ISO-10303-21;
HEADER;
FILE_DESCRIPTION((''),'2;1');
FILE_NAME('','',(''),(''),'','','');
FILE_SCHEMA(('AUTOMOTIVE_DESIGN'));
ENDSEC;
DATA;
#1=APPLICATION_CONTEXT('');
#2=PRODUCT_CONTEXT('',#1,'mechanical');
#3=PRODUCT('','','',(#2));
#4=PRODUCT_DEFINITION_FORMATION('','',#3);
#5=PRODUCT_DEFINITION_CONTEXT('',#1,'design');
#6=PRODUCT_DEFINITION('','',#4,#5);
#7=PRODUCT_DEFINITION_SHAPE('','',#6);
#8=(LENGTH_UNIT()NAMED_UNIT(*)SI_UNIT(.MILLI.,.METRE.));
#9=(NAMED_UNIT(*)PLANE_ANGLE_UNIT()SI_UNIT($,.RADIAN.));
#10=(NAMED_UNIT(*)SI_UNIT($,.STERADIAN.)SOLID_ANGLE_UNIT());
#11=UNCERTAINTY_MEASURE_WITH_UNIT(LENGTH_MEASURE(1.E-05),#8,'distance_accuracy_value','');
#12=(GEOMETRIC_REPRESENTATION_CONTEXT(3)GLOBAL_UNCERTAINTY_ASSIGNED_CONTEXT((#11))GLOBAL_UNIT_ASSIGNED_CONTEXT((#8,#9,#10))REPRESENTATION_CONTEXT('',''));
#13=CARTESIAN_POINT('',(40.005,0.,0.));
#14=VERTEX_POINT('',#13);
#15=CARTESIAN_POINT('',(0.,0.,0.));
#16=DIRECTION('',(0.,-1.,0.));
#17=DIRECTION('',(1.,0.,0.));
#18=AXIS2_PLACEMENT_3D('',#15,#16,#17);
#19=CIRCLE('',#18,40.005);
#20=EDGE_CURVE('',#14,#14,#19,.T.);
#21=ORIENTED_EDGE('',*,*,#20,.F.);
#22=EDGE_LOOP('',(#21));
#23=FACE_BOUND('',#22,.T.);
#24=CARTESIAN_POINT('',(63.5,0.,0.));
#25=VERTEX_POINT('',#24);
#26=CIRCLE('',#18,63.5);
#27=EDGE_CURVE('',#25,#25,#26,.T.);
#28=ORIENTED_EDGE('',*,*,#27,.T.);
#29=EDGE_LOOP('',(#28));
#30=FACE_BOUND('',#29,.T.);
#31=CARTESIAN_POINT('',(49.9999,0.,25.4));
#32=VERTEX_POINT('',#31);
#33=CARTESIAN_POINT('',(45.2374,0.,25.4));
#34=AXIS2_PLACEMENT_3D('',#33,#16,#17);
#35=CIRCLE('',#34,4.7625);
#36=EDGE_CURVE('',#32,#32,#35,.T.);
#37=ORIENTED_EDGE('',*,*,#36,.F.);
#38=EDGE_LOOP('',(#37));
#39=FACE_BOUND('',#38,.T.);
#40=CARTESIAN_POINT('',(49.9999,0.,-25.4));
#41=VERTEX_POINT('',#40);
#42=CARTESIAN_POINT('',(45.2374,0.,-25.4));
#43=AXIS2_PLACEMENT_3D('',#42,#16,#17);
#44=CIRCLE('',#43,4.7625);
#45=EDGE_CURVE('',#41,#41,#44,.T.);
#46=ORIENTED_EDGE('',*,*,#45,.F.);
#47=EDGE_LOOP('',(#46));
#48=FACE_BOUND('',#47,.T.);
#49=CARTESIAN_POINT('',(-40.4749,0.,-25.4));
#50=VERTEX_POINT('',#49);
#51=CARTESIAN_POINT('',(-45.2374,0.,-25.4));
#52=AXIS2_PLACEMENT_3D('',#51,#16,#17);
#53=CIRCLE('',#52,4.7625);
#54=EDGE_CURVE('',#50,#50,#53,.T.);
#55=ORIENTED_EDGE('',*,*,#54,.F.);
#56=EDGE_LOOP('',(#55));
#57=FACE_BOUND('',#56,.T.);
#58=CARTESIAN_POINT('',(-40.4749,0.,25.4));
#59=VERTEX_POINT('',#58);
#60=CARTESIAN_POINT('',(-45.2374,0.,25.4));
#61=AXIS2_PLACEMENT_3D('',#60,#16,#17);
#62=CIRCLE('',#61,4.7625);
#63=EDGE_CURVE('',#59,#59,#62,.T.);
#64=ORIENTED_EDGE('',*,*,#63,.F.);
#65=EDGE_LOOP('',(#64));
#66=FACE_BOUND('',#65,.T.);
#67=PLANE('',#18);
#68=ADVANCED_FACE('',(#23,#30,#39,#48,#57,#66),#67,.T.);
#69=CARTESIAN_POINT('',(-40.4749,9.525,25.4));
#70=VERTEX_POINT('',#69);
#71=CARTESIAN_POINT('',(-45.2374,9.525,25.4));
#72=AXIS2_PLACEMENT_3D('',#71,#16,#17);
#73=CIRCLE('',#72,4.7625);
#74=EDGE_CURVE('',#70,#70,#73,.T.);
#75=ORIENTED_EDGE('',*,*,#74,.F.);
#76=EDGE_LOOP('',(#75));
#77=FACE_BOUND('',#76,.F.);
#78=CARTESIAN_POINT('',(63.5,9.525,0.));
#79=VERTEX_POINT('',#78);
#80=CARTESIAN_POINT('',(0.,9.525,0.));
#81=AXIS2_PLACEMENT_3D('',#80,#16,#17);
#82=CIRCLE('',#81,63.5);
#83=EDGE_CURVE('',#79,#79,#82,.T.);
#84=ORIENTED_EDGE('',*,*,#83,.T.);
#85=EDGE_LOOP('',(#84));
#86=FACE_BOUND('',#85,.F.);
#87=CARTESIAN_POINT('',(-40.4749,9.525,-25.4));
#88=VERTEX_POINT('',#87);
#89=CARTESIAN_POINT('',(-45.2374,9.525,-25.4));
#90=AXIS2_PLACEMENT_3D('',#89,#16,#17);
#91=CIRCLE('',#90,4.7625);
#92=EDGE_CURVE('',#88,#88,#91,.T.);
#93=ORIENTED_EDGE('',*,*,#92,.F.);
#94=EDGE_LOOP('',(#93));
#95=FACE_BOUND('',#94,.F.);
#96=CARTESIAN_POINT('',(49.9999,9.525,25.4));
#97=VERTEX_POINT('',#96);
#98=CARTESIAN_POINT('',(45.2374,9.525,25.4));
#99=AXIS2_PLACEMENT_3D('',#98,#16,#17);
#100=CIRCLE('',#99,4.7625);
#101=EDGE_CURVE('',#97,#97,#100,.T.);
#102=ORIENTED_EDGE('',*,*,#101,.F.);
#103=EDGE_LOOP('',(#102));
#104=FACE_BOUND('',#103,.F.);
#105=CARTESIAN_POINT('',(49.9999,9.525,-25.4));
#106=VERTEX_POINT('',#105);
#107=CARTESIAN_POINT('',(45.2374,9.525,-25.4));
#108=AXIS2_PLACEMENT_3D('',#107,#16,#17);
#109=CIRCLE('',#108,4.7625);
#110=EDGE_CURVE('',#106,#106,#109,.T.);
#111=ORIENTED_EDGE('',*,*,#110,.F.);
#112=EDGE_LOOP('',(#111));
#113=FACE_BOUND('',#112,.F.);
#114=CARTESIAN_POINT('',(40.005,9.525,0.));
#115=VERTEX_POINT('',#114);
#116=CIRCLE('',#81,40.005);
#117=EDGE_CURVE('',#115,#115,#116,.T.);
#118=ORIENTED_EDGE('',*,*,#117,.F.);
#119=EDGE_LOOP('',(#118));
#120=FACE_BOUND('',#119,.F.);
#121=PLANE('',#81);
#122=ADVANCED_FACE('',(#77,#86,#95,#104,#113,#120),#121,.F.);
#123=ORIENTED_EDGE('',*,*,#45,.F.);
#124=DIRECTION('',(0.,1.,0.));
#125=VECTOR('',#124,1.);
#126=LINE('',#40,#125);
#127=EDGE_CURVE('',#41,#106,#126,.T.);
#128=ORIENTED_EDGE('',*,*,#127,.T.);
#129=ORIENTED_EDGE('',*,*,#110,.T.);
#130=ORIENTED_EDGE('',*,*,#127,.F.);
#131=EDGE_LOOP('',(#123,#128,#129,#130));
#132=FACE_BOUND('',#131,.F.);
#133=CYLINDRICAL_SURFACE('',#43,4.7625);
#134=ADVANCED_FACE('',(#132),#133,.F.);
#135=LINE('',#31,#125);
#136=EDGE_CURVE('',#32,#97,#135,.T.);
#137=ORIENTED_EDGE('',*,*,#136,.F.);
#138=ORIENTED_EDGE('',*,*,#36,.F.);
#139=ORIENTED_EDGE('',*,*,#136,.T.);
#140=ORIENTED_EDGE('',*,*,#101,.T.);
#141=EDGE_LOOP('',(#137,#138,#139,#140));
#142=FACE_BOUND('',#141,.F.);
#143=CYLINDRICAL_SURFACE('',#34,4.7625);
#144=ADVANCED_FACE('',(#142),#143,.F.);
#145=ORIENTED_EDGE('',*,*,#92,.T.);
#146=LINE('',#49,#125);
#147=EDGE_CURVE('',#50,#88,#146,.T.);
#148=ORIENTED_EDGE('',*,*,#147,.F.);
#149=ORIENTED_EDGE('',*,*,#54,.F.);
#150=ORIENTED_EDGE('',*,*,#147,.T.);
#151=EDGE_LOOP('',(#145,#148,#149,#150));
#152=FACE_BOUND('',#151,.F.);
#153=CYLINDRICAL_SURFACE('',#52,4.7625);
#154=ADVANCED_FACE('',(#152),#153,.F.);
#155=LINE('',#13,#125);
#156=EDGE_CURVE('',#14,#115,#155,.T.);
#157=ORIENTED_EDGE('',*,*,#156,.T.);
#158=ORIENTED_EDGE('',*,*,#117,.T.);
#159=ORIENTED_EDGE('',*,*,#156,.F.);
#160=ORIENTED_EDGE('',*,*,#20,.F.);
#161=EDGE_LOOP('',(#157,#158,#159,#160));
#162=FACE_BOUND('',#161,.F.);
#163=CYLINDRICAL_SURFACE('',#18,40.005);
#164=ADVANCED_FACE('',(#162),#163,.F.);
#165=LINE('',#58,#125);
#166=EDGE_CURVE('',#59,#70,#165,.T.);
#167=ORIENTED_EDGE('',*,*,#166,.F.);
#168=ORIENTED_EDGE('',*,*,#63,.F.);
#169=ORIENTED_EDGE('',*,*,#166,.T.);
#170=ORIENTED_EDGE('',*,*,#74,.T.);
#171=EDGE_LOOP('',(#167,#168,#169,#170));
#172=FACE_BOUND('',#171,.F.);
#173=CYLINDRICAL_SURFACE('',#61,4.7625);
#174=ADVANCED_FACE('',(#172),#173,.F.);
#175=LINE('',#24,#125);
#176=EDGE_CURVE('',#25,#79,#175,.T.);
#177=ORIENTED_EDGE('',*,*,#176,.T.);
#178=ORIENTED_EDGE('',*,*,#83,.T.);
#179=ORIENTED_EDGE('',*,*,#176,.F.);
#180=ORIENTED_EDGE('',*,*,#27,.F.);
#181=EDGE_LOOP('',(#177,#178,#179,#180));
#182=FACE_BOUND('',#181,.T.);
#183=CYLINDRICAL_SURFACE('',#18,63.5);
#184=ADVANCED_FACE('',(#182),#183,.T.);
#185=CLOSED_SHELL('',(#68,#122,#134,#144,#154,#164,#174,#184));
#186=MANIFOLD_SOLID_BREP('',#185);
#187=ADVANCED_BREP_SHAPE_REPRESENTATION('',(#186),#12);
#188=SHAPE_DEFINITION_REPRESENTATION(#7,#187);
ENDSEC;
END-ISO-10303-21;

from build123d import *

# Parameters (mm, degrees)
F0_R     = 63.5
F0_R_2   = 4.7625
F0_R_3   = 40.005
F1_DEPTH = 9.525


with BuildPart() as f1:
    # F0 (on Front) → F1 (new body)
    with BuildSketch(Plane.XZ):
        Circle(F0_R)
        with Locations((-45.2374, -25.4)):
            Circle(F0_R_2, mode=Mode.SUBTRACT)
        with Locations((45.2374, -25.4)):
            Circle(F0_R_2, mode=Mode.SUBTRACT)
        with Locations((-45.2374, 25.4)):
            Circle(F0_R_2, mode=Mode.SUBTRACT)
        Circle(F0_R_3, mode=Mode.SUBTRACT)
        with Locations((45.2374, 25.4)):
            Circle(F0_R_2, mode=Mode.SUBTRACT)
    extrude(amount=-F1_DEPTH)


solid = f1.part
